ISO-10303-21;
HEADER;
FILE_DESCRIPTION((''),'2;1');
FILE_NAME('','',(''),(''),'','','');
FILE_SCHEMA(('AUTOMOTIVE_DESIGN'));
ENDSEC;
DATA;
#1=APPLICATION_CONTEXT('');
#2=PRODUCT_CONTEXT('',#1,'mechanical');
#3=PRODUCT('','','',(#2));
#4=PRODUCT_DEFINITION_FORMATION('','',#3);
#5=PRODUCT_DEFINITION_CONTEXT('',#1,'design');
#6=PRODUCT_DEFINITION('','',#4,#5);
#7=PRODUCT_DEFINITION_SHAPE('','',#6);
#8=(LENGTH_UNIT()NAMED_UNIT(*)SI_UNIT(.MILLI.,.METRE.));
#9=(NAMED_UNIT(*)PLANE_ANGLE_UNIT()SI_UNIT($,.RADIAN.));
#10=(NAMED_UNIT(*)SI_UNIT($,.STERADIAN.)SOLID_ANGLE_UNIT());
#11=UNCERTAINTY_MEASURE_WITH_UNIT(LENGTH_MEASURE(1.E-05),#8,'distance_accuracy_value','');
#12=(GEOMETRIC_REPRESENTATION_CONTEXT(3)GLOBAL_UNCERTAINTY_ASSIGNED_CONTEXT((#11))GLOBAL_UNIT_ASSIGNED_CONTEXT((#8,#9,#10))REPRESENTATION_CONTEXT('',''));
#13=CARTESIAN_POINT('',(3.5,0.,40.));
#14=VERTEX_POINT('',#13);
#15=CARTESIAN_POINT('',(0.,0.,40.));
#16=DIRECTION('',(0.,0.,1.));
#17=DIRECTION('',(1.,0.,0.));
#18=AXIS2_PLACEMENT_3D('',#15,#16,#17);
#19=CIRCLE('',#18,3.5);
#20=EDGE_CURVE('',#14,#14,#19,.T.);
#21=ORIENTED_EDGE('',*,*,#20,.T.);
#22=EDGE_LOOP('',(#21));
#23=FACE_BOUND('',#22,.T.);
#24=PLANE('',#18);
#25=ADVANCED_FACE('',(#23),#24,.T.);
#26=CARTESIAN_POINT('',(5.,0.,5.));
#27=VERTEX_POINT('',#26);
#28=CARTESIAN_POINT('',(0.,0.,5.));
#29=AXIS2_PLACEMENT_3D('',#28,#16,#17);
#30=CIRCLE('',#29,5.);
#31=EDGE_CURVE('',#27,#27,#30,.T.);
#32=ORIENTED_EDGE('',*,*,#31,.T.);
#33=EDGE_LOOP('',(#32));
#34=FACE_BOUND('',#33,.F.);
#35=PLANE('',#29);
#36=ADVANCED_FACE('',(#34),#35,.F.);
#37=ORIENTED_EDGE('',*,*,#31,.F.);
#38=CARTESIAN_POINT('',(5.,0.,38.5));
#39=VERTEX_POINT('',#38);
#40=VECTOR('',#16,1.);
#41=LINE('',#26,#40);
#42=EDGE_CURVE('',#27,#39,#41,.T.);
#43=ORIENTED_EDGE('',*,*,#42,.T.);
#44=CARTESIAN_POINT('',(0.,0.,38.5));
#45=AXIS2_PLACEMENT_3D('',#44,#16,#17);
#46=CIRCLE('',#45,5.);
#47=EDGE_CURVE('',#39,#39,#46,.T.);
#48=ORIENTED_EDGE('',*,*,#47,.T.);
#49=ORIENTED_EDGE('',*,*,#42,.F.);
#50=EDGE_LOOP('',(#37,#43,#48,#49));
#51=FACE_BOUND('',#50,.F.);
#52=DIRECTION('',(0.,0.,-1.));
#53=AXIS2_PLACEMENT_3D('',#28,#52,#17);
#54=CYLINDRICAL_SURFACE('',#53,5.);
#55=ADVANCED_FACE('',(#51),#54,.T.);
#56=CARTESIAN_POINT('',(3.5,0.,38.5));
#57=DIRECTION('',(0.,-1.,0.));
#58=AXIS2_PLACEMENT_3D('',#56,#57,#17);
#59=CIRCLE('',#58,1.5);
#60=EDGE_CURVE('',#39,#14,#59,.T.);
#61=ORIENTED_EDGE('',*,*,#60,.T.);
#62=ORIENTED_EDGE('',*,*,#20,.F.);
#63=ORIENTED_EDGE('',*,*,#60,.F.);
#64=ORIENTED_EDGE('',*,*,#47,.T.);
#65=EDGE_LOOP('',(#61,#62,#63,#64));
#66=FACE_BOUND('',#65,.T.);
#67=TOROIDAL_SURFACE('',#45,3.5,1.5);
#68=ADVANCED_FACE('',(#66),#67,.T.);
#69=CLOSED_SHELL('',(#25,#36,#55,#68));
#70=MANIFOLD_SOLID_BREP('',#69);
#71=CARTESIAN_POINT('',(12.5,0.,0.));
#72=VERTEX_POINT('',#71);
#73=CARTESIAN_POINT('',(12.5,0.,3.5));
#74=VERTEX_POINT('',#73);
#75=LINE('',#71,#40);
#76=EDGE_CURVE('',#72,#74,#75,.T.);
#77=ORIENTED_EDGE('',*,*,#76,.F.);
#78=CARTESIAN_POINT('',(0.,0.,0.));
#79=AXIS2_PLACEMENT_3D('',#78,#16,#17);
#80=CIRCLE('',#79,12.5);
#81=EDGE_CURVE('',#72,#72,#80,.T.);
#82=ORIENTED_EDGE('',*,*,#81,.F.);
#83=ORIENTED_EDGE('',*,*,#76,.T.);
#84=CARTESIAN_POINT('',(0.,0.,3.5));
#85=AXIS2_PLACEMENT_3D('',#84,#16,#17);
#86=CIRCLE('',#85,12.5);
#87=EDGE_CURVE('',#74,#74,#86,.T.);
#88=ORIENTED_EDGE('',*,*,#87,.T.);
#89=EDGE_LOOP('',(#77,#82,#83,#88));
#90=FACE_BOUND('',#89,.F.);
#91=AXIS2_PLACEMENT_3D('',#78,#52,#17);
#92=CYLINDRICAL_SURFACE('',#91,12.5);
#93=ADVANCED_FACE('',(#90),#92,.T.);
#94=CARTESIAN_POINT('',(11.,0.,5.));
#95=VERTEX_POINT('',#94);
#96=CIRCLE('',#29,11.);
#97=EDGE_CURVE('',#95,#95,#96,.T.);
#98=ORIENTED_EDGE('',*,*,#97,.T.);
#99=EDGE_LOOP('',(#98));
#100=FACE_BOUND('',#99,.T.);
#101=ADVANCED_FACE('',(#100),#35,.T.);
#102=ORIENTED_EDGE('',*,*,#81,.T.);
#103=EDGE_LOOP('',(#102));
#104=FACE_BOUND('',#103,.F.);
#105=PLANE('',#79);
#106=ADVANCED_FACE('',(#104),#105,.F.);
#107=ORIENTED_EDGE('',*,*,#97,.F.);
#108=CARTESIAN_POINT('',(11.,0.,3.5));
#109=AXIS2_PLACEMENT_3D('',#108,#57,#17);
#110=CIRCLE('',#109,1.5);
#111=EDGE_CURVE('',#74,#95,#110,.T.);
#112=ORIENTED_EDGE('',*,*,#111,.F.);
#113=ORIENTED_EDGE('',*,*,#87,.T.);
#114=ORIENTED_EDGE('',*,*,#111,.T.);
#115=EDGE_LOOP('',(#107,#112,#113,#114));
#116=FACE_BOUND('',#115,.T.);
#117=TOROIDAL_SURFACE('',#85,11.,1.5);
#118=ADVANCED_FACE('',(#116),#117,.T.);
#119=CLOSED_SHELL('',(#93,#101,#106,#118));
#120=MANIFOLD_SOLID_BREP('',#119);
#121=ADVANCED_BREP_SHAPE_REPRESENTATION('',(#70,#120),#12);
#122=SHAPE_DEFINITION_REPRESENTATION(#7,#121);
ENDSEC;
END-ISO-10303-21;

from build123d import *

# Parameters (mm, degrees)
F0_R     = 12.5
F1_DEPTH = 5
F2_R     = 5
F3_DEPTH = 35
F4_R     = 1.5
F4_2_R   = 1.5


with BuildPart() as f1:
    # F0 (on Top) → F1 (new body)
    with BuildSketch(Plane.XY):
        Circle(F0_R)
    extrude(amount=F1_DEPTH)

    # F4#2
    f4_2_edges = [f1.edges().sort_by_distance(p)[0] for p in [
        (-12.5, 0, 5),
    ]]
    fillet(f4_2_edges, radius=F4_2_R)


with BuildPart() as f3:
    # F2 (on face) → F3 (new body)
    with BuildSketch(Plane.XY.offset(5)):
        Circle(F2_R)
    extrude(amount=F3_DEPTH)

    # F4
    f4_edges = [f3.edges().sort_by_distance(p)[0] for p in [
        (-5, 0, 40),
    ]]
    fillet(f4_edges, radius=F4_R)


solid = Compound([f1.part, f3.part])
